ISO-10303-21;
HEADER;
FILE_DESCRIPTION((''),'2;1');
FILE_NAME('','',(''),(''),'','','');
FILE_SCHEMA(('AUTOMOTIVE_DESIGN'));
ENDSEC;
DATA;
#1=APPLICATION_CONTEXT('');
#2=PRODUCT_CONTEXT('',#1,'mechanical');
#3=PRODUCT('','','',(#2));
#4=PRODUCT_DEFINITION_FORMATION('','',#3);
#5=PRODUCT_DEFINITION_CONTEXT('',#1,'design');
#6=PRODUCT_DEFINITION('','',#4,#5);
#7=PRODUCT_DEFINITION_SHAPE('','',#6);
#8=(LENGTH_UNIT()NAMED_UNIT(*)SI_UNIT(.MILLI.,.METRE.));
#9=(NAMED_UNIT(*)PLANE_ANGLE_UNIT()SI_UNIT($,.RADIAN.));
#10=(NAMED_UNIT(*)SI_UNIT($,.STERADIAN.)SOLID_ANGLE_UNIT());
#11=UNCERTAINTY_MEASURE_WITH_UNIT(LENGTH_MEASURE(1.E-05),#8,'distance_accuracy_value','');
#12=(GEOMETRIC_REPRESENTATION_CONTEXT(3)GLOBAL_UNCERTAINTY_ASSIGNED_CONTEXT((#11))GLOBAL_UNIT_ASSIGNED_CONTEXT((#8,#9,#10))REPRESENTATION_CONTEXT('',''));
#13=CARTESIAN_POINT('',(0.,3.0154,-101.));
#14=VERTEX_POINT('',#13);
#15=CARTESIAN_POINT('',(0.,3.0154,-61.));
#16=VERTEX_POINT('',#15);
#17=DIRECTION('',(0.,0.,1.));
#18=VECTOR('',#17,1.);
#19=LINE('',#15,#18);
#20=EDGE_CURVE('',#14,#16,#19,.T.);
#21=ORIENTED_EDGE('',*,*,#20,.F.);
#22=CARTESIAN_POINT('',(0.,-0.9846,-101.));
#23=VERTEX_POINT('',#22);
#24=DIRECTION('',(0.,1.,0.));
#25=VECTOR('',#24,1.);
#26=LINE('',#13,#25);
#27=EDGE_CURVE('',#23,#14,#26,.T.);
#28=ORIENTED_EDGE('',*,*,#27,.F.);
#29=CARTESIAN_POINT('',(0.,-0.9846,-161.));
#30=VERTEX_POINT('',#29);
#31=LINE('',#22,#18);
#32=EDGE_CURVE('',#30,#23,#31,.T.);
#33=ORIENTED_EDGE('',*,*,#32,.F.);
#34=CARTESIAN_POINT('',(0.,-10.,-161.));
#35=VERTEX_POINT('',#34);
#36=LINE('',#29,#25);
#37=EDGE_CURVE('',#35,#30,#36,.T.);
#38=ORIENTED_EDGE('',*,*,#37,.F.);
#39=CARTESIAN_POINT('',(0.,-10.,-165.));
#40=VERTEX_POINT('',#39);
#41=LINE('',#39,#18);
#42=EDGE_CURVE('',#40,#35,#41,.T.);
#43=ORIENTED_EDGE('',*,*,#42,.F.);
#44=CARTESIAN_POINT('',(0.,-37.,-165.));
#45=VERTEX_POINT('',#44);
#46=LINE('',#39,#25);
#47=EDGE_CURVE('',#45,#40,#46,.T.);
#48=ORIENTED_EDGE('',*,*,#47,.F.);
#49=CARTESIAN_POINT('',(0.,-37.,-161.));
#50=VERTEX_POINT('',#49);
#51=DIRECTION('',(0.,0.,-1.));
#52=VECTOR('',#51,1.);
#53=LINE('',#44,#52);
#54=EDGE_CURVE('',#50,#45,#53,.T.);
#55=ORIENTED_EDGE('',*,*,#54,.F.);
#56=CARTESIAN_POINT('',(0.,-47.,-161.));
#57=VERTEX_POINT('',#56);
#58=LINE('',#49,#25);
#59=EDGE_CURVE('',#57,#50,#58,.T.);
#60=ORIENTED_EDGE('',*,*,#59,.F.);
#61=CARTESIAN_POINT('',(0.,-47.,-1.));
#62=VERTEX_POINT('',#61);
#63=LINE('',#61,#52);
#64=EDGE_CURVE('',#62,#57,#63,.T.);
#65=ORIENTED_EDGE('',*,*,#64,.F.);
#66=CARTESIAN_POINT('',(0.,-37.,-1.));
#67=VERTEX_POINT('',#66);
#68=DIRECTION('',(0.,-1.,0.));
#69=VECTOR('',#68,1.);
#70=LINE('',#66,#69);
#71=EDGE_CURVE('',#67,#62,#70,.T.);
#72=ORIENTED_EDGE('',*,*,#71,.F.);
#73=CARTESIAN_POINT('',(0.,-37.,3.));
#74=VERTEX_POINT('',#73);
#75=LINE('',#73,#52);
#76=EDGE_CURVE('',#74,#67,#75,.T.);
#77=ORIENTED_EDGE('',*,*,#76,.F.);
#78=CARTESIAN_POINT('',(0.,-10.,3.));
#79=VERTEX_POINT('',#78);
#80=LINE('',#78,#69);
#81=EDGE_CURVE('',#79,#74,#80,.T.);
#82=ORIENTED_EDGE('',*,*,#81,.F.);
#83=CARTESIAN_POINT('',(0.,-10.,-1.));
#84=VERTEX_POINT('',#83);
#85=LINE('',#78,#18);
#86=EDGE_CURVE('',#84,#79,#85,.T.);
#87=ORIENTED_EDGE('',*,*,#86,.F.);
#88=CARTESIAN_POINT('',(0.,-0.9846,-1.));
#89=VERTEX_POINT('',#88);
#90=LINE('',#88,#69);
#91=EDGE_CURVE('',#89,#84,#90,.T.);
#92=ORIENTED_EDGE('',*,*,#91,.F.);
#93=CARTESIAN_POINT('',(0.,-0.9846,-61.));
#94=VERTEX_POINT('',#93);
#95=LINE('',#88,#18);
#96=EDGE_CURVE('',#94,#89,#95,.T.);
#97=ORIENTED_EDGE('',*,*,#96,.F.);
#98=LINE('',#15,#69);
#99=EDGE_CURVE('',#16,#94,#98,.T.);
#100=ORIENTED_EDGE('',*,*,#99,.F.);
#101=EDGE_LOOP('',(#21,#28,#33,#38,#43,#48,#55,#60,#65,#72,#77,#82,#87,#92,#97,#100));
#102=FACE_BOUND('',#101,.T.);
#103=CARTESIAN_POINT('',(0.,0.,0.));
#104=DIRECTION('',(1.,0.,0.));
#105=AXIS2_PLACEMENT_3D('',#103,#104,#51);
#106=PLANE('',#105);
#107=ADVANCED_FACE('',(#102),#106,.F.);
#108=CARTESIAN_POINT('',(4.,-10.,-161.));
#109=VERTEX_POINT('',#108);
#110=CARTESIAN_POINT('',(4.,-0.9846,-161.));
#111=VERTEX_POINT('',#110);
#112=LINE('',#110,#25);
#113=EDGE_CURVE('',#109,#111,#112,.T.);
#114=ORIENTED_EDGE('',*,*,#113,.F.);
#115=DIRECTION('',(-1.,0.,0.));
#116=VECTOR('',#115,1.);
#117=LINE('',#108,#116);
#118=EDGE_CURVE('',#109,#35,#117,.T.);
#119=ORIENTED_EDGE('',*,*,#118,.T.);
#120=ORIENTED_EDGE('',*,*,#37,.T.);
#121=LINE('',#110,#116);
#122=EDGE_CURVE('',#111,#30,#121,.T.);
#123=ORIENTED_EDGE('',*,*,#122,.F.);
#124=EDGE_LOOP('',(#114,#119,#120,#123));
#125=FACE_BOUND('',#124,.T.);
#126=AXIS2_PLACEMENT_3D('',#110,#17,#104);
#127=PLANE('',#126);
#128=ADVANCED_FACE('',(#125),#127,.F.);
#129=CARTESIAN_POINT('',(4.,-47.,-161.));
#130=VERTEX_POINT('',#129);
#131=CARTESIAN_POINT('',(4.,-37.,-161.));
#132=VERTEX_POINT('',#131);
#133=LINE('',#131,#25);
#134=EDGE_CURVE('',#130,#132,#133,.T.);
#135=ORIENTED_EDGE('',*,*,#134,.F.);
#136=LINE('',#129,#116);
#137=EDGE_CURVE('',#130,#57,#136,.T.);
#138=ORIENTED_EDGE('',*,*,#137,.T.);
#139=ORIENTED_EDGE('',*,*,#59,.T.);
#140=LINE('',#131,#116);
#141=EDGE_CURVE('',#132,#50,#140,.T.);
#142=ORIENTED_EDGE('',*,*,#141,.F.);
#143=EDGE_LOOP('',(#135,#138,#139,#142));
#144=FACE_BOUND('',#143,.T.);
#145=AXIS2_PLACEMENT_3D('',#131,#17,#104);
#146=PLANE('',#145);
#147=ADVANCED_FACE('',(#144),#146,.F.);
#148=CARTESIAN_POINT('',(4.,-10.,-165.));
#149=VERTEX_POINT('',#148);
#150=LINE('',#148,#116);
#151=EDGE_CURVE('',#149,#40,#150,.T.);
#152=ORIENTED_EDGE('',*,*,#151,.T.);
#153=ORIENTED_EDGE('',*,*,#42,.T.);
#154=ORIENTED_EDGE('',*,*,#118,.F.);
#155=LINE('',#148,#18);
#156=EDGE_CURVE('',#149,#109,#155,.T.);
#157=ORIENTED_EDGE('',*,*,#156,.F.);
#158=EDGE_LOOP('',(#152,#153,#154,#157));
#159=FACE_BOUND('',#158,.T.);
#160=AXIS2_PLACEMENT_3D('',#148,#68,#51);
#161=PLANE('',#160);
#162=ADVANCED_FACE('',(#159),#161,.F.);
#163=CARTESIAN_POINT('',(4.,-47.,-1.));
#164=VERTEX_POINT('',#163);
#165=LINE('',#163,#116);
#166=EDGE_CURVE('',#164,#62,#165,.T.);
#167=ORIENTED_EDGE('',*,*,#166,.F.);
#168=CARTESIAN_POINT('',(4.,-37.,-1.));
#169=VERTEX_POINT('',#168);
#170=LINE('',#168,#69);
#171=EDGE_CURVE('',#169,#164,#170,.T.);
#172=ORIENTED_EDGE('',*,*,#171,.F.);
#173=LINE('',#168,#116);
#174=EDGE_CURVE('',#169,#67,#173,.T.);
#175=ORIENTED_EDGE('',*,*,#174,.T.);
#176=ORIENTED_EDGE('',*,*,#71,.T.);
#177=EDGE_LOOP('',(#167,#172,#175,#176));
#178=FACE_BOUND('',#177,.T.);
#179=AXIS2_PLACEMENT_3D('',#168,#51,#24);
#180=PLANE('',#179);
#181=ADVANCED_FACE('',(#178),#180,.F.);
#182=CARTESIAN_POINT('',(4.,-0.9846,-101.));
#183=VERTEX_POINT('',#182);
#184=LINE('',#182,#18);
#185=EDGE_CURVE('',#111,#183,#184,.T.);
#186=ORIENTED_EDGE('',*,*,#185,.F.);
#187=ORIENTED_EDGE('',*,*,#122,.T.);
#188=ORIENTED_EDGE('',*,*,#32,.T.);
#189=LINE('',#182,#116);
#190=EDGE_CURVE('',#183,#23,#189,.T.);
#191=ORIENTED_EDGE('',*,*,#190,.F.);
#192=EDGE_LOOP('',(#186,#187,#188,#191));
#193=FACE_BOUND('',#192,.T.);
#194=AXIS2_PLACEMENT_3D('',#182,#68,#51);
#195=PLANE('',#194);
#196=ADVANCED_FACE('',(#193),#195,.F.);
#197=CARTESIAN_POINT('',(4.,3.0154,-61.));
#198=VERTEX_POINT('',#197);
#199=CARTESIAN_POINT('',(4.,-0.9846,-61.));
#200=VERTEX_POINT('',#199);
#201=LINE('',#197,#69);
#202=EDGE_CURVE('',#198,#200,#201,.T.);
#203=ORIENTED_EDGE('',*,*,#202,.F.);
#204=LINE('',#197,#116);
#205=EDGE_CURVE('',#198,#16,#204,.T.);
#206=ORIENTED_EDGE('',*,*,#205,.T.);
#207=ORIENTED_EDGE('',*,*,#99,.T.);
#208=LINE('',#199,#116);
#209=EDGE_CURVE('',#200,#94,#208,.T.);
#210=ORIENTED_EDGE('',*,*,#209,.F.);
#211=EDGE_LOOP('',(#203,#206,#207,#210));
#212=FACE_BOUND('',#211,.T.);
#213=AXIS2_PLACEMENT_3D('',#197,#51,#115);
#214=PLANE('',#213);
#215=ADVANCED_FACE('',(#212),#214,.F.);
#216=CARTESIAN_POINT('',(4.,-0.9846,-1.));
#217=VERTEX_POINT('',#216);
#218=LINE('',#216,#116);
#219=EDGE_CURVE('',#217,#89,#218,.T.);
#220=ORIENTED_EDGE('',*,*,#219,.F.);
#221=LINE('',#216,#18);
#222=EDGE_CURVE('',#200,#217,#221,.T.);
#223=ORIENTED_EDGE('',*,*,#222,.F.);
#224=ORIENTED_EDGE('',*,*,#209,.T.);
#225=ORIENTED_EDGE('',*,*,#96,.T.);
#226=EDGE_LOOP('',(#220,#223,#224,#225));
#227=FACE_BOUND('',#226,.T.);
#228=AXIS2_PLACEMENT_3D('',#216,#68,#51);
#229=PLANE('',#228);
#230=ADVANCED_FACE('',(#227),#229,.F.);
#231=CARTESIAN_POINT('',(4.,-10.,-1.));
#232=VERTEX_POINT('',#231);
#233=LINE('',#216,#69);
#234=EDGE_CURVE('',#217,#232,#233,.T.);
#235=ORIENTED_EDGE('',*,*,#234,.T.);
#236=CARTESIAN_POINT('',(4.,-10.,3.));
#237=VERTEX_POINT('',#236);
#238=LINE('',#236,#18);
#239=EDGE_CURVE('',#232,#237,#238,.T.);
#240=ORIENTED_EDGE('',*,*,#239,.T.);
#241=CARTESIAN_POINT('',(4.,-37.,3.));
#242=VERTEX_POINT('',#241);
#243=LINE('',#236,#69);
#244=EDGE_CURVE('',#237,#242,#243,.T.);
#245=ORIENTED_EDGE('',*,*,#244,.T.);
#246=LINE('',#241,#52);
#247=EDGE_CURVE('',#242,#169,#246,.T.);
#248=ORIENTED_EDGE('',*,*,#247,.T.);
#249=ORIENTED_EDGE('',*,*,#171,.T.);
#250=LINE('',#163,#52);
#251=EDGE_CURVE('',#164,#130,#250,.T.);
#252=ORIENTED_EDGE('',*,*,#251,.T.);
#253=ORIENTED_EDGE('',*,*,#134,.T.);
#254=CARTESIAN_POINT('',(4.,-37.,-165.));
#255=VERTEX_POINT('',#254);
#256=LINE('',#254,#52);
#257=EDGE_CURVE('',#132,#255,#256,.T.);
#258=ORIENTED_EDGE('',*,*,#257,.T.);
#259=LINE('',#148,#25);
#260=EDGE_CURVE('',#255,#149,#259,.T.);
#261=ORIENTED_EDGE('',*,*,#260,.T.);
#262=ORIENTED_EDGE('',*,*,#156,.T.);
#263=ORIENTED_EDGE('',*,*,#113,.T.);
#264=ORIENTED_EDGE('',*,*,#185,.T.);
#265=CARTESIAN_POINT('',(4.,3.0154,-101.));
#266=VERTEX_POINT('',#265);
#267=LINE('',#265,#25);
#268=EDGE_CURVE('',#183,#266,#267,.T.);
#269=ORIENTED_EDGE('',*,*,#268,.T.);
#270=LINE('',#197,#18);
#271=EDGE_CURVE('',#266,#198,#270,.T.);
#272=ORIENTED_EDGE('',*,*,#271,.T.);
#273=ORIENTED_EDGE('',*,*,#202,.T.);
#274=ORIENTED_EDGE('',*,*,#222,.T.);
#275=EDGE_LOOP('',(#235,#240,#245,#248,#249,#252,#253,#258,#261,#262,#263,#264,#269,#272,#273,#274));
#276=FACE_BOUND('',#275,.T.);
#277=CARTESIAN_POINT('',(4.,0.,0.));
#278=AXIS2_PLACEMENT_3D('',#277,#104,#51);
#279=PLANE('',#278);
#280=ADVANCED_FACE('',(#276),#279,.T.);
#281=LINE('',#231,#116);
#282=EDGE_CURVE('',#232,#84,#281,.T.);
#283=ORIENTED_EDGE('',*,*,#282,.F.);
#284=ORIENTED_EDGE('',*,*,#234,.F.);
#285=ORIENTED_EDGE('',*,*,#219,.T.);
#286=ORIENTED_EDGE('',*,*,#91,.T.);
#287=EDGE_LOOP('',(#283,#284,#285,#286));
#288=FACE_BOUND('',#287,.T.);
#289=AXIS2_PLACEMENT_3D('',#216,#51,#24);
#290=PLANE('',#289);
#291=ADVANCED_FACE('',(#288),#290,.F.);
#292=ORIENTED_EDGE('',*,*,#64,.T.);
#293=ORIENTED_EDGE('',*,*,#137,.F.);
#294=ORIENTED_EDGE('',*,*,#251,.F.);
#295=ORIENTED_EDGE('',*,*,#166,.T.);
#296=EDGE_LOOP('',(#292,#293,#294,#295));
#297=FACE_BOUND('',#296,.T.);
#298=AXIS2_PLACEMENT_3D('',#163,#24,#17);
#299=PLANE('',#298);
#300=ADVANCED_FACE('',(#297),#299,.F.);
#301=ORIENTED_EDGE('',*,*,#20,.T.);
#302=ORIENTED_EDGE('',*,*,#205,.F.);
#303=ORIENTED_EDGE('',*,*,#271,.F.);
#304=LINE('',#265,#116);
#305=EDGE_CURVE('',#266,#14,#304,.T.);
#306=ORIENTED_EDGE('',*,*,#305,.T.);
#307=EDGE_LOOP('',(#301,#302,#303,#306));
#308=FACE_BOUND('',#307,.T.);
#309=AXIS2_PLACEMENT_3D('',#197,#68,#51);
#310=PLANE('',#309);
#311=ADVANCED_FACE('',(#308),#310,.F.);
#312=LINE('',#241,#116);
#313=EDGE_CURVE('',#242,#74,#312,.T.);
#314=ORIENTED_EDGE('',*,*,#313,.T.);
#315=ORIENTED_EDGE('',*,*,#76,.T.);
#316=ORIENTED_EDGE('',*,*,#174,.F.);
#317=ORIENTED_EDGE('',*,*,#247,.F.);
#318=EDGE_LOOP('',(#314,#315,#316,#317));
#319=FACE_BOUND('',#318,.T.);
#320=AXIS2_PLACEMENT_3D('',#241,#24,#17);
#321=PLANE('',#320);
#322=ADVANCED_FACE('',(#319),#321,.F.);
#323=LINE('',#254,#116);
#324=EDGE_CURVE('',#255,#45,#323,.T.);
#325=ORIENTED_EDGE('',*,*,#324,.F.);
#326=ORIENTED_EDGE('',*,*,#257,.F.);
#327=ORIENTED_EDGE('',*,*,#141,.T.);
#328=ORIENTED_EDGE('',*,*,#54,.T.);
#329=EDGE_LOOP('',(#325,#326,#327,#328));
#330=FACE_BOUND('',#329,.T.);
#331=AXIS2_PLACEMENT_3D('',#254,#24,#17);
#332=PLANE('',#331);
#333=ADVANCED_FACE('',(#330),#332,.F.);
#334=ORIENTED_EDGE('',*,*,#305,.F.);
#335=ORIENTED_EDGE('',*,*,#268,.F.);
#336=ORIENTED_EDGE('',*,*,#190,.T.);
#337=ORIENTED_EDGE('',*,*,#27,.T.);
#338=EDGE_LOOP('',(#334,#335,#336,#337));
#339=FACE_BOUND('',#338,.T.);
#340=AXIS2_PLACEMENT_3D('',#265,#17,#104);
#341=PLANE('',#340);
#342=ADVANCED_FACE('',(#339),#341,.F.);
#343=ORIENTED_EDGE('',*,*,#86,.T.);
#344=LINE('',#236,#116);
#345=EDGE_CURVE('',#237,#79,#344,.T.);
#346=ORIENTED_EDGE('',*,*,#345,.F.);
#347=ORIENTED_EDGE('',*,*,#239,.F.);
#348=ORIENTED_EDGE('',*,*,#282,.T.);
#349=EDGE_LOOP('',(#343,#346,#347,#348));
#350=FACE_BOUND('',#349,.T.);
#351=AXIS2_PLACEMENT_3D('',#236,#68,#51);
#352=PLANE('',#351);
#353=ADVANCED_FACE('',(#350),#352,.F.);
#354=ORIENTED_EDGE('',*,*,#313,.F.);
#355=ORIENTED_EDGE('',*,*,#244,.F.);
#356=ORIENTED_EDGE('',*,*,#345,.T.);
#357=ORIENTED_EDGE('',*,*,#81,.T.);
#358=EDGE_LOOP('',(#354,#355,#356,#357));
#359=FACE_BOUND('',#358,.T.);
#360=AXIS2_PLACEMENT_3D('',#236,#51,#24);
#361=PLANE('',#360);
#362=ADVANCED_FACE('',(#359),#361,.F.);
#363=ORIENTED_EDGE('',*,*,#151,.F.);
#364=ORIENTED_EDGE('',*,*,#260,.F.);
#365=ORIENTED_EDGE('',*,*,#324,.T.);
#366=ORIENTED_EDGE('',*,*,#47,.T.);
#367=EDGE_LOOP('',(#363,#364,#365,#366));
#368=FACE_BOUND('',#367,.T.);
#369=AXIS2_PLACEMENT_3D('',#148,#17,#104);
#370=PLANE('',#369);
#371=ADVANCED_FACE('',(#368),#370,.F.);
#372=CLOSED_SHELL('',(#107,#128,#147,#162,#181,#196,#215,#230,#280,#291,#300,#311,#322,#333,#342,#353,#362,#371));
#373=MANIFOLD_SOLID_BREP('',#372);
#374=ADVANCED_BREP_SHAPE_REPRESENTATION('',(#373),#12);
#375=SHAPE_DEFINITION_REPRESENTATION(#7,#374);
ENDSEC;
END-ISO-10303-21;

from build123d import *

# Parameters (mm, degrees)
BOSS_EXTRUDE1_DEPTH = 4


with BuildPart() as part:
    # Sketch2 → Boss-Extrude1 (new body)
    with BuildSketch(Plane(origin=(0, 0, 0), x_dir=(0, 0, -1), z_dir=(1, 0, 0))):
        Polygon((61, 3.015400021), (101, 3.015400021), (101, -0.984599979), (161, -0.984599979), (161, -10), (165, -10), (165, -37), (161, -37), (161, -47), (1, -47), (1, -37), (-3, -37), (-3, -10), (1, -10), (1, -0.984599979), (61, -0.984599979), align=None)
    extrude(amount=BOSS_EXTRUDE1_DEPTH)


solid = part.part
